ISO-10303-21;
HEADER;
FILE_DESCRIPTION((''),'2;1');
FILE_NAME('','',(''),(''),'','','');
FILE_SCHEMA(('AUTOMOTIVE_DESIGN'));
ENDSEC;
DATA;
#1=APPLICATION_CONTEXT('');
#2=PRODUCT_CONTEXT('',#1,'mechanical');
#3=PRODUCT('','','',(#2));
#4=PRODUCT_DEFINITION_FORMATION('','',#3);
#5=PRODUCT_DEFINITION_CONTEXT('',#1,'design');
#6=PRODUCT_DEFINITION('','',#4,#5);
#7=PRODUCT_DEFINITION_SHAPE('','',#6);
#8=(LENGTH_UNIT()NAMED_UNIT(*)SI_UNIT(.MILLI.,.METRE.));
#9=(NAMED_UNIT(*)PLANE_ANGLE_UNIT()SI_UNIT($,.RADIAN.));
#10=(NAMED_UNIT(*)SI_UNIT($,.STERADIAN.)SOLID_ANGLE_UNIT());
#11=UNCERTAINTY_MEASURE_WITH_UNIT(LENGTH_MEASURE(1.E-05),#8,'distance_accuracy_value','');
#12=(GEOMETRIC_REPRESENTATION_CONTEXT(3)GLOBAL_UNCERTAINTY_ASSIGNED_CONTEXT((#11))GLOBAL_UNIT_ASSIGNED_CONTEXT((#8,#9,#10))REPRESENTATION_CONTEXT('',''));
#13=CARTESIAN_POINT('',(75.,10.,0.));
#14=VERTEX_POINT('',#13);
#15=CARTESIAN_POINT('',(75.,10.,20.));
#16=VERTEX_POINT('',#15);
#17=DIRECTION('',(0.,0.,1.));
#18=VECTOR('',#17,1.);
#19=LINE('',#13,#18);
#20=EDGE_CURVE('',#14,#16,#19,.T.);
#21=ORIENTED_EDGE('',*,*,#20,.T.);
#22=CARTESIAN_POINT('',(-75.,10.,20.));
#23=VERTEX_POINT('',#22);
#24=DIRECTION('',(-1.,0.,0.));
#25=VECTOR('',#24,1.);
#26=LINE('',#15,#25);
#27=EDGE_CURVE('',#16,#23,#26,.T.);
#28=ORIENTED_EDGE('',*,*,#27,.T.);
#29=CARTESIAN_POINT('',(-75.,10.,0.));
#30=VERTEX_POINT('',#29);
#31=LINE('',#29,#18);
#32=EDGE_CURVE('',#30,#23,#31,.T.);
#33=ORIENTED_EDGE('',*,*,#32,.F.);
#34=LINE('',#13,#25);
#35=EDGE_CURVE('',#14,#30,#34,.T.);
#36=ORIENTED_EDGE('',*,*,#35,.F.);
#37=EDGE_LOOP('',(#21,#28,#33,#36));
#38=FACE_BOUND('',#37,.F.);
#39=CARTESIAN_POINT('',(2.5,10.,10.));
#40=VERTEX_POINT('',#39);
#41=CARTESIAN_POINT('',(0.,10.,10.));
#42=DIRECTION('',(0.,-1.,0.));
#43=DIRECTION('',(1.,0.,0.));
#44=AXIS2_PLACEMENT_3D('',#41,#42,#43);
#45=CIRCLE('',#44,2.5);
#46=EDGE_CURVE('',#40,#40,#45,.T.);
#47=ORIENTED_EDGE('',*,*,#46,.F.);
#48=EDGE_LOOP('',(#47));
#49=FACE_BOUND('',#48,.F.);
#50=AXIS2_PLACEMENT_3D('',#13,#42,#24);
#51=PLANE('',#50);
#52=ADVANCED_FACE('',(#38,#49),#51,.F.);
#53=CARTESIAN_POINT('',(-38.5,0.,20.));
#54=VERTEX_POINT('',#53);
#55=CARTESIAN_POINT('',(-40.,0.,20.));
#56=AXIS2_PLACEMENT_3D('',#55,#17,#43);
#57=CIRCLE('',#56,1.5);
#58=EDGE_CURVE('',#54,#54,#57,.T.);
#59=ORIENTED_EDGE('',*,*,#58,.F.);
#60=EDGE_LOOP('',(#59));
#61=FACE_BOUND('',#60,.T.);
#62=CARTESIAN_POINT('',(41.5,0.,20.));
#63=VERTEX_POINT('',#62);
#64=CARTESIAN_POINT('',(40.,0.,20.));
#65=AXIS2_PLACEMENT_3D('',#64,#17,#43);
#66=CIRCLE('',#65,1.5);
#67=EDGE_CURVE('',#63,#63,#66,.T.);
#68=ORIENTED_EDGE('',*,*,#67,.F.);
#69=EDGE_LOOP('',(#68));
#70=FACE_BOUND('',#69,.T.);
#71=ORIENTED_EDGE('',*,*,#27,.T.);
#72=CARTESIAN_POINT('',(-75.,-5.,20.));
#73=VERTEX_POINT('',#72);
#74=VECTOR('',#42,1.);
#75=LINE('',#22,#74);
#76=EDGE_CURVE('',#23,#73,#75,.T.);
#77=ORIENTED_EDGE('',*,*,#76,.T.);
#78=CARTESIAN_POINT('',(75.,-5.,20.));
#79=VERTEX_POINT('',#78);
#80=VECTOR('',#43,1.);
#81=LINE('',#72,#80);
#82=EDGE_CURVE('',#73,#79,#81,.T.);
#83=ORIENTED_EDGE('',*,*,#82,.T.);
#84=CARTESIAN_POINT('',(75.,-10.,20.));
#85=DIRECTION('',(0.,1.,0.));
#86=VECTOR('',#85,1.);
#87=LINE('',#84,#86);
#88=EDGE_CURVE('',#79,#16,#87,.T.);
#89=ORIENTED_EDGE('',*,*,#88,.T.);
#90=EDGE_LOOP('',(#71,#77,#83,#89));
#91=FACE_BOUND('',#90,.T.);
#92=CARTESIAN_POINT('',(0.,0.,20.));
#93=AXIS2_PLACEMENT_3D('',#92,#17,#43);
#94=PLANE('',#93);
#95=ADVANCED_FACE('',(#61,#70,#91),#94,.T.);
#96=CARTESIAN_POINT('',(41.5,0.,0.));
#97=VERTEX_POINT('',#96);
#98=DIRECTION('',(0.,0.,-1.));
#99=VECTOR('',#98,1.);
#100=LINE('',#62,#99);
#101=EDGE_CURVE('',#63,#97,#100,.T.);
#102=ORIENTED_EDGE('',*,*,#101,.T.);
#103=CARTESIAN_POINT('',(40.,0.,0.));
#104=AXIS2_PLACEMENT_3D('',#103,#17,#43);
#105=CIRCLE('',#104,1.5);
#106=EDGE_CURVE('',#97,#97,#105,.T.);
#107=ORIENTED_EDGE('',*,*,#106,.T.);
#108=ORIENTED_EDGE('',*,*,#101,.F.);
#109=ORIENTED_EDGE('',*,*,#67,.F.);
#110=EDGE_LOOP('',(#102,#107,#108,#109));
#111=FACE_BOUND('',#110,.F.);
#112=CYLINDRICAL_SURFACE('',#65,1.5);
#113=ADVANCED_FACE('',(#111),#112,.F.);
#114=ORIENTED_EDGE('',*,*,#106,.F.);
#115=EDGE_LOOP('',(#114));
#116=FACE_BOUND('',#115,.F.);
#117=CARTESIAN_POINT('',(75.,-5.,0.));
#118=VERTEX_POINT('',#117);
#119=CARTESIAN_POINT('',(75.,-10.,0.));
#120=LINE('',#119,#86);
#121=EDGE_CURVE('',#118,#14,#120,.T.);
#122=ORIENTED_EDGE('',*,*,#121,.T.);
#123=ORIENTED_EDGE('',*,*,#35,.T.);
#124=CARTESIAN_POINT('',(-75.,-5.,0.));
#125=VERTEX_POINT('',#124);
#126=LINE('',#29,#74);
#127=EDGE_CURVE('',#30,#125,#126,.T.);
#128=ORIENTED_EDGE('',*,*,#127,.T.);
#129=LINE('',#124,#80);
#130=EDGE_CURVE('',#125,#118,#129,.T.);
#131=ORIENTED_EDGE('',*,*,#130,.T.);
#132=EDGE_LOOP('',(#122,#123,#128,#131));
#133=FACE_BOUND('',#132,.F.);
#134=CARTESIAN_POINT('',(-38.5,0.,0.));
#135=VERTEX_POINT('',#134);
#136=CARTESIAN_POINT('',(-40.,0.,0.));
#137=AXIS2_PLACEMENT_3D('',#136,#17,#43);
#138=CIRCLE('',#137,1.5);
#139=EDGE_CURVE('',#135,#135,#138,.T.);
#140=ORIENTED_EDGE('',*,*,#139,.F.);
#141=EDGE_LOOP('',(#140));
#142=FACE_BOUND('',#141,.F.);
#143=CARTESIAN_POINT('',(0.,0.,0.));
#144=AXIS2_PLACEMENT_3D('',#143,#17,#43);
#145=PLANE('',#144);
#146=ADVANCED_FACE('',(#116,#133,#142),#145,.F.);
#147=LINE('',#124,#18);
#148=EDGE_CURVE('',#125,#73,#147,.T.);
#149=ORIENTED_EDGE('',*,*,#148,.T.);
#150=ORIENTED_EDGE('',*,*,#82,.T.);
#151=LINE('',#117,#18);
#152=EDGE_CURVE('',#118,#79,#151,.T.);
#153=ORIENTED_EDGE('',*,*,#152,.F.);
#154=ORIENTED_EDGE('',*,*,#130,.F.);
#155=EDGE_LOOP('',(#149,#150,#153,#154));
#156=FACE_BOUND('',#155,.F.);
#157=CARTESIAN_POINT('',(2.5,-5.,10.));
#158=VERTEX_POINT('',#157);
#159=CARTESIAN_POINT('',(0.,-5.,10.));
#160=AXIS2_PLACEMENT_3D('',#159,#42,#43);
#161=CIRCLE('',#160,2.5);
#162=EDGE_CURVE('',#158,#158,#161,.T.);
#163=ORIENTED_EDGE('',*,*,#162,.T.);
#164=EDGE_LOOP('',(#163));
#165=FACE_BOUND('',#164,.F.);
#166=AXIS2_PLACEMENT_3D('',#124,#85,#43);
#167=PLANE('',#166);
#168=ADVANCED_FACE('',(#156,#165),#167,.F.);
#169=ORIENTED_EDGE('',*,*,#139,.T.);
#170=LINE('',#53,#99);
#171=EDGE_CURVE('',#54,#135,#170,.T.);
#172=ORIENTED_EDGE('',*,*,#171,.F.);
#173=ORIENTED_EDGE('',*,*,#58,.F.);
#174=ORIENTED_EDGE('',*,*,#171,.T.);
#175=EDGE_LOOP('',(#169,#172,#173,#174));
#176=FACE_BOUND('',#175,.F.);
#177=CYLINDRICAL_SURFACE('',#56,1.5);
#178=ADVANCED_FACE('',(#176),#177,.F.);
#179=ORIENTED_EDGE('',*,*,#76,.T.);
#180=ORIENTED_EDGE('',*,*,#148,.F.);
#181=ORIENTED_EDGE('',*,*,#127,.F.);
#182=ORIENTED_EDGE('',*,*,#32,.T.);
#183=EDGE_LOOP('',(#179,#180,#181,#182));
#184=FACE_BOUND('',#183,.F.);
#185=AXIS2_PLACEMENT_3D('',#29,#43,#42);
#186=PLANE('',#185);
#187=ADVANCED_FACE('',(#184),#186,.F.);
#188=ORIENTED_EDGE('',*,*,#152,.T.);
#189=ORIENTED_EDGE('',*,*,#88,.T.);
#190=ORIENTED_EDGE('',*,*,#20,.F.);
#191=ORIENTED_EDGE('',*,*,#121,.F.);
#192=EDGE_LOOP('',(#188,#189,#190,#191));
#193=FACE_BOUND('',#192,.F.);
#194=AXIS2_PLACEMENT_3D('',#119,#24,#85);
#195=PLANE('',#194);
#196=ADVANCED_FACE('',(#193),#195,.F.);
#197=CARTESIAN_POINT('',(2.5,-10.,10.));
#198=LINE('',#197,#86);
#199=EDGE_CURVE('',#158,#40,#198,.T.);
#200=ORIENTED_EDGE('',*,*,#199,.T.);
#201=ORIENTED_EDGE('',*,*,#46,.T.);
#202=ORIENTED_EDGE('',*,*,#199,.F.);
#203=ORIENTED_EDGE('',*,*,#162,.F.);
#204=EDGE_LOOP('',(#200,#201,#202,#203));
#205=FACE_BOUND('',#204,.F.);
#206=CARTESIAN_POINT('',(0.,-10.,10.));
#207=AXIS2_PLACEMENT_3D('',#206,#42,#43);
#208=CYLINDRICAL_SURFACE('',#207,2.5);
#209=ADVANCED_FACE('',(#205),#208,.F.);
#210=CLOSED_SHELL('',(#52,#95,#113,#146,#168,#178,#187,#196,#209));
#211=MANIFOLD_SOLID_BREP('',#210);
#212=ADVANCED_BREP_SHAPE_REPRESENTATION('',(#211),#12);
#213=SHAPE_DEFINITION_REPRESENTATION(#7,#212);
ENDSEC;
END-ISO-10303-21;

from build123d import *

# Parameters (mm, degrees)
F1_DEPTH = 20
F2_R     = 1.5
F3_DEPTH = 25
F4_R     = 2.5
F5_DEPTH = 25
F6_DEPTH = 5


with BuildPart() as f1:
    # F0 (on Top) → F1 (new body)
    with BuildSketch(Plane.XY):
        Polygon((75, -10), (75, 0), (75, 10), (-75, 10), (-75, -10), align=None)
    extrude(amount=F1_DEPTH)

    # F2 (on face) → F3 (cut)
    with BuildSketch(Plane.XY.offset(20)):
        with Locations((-40, 0)):
            Circle(F2_R)
        with Locations((40, 0)):
            Circle(F2_R)
    extrude(amount=-F3_DEPTH, mode=Mode.SUBTRACT)

    # F4 (on face) → F5 (cut)
    with BuildSketch(Plane.XZ.offset(10)):
        with Locations((0, 10)):
            Circle(F4_R)
    extrude(amount=-F5_DEPTH, mode=Mode.SUBTRACT)

    # F6 (cut): a face of the model
    f6_faces = [f1.faces().sort_by_distance(p)[0] for p in [
        (-73.486725405, -10, 10),
    ]]
    extrude(f6_faces, amount=-F6_DEPTH, mode=Mode.SUBTRACT)


solid = f1.part
